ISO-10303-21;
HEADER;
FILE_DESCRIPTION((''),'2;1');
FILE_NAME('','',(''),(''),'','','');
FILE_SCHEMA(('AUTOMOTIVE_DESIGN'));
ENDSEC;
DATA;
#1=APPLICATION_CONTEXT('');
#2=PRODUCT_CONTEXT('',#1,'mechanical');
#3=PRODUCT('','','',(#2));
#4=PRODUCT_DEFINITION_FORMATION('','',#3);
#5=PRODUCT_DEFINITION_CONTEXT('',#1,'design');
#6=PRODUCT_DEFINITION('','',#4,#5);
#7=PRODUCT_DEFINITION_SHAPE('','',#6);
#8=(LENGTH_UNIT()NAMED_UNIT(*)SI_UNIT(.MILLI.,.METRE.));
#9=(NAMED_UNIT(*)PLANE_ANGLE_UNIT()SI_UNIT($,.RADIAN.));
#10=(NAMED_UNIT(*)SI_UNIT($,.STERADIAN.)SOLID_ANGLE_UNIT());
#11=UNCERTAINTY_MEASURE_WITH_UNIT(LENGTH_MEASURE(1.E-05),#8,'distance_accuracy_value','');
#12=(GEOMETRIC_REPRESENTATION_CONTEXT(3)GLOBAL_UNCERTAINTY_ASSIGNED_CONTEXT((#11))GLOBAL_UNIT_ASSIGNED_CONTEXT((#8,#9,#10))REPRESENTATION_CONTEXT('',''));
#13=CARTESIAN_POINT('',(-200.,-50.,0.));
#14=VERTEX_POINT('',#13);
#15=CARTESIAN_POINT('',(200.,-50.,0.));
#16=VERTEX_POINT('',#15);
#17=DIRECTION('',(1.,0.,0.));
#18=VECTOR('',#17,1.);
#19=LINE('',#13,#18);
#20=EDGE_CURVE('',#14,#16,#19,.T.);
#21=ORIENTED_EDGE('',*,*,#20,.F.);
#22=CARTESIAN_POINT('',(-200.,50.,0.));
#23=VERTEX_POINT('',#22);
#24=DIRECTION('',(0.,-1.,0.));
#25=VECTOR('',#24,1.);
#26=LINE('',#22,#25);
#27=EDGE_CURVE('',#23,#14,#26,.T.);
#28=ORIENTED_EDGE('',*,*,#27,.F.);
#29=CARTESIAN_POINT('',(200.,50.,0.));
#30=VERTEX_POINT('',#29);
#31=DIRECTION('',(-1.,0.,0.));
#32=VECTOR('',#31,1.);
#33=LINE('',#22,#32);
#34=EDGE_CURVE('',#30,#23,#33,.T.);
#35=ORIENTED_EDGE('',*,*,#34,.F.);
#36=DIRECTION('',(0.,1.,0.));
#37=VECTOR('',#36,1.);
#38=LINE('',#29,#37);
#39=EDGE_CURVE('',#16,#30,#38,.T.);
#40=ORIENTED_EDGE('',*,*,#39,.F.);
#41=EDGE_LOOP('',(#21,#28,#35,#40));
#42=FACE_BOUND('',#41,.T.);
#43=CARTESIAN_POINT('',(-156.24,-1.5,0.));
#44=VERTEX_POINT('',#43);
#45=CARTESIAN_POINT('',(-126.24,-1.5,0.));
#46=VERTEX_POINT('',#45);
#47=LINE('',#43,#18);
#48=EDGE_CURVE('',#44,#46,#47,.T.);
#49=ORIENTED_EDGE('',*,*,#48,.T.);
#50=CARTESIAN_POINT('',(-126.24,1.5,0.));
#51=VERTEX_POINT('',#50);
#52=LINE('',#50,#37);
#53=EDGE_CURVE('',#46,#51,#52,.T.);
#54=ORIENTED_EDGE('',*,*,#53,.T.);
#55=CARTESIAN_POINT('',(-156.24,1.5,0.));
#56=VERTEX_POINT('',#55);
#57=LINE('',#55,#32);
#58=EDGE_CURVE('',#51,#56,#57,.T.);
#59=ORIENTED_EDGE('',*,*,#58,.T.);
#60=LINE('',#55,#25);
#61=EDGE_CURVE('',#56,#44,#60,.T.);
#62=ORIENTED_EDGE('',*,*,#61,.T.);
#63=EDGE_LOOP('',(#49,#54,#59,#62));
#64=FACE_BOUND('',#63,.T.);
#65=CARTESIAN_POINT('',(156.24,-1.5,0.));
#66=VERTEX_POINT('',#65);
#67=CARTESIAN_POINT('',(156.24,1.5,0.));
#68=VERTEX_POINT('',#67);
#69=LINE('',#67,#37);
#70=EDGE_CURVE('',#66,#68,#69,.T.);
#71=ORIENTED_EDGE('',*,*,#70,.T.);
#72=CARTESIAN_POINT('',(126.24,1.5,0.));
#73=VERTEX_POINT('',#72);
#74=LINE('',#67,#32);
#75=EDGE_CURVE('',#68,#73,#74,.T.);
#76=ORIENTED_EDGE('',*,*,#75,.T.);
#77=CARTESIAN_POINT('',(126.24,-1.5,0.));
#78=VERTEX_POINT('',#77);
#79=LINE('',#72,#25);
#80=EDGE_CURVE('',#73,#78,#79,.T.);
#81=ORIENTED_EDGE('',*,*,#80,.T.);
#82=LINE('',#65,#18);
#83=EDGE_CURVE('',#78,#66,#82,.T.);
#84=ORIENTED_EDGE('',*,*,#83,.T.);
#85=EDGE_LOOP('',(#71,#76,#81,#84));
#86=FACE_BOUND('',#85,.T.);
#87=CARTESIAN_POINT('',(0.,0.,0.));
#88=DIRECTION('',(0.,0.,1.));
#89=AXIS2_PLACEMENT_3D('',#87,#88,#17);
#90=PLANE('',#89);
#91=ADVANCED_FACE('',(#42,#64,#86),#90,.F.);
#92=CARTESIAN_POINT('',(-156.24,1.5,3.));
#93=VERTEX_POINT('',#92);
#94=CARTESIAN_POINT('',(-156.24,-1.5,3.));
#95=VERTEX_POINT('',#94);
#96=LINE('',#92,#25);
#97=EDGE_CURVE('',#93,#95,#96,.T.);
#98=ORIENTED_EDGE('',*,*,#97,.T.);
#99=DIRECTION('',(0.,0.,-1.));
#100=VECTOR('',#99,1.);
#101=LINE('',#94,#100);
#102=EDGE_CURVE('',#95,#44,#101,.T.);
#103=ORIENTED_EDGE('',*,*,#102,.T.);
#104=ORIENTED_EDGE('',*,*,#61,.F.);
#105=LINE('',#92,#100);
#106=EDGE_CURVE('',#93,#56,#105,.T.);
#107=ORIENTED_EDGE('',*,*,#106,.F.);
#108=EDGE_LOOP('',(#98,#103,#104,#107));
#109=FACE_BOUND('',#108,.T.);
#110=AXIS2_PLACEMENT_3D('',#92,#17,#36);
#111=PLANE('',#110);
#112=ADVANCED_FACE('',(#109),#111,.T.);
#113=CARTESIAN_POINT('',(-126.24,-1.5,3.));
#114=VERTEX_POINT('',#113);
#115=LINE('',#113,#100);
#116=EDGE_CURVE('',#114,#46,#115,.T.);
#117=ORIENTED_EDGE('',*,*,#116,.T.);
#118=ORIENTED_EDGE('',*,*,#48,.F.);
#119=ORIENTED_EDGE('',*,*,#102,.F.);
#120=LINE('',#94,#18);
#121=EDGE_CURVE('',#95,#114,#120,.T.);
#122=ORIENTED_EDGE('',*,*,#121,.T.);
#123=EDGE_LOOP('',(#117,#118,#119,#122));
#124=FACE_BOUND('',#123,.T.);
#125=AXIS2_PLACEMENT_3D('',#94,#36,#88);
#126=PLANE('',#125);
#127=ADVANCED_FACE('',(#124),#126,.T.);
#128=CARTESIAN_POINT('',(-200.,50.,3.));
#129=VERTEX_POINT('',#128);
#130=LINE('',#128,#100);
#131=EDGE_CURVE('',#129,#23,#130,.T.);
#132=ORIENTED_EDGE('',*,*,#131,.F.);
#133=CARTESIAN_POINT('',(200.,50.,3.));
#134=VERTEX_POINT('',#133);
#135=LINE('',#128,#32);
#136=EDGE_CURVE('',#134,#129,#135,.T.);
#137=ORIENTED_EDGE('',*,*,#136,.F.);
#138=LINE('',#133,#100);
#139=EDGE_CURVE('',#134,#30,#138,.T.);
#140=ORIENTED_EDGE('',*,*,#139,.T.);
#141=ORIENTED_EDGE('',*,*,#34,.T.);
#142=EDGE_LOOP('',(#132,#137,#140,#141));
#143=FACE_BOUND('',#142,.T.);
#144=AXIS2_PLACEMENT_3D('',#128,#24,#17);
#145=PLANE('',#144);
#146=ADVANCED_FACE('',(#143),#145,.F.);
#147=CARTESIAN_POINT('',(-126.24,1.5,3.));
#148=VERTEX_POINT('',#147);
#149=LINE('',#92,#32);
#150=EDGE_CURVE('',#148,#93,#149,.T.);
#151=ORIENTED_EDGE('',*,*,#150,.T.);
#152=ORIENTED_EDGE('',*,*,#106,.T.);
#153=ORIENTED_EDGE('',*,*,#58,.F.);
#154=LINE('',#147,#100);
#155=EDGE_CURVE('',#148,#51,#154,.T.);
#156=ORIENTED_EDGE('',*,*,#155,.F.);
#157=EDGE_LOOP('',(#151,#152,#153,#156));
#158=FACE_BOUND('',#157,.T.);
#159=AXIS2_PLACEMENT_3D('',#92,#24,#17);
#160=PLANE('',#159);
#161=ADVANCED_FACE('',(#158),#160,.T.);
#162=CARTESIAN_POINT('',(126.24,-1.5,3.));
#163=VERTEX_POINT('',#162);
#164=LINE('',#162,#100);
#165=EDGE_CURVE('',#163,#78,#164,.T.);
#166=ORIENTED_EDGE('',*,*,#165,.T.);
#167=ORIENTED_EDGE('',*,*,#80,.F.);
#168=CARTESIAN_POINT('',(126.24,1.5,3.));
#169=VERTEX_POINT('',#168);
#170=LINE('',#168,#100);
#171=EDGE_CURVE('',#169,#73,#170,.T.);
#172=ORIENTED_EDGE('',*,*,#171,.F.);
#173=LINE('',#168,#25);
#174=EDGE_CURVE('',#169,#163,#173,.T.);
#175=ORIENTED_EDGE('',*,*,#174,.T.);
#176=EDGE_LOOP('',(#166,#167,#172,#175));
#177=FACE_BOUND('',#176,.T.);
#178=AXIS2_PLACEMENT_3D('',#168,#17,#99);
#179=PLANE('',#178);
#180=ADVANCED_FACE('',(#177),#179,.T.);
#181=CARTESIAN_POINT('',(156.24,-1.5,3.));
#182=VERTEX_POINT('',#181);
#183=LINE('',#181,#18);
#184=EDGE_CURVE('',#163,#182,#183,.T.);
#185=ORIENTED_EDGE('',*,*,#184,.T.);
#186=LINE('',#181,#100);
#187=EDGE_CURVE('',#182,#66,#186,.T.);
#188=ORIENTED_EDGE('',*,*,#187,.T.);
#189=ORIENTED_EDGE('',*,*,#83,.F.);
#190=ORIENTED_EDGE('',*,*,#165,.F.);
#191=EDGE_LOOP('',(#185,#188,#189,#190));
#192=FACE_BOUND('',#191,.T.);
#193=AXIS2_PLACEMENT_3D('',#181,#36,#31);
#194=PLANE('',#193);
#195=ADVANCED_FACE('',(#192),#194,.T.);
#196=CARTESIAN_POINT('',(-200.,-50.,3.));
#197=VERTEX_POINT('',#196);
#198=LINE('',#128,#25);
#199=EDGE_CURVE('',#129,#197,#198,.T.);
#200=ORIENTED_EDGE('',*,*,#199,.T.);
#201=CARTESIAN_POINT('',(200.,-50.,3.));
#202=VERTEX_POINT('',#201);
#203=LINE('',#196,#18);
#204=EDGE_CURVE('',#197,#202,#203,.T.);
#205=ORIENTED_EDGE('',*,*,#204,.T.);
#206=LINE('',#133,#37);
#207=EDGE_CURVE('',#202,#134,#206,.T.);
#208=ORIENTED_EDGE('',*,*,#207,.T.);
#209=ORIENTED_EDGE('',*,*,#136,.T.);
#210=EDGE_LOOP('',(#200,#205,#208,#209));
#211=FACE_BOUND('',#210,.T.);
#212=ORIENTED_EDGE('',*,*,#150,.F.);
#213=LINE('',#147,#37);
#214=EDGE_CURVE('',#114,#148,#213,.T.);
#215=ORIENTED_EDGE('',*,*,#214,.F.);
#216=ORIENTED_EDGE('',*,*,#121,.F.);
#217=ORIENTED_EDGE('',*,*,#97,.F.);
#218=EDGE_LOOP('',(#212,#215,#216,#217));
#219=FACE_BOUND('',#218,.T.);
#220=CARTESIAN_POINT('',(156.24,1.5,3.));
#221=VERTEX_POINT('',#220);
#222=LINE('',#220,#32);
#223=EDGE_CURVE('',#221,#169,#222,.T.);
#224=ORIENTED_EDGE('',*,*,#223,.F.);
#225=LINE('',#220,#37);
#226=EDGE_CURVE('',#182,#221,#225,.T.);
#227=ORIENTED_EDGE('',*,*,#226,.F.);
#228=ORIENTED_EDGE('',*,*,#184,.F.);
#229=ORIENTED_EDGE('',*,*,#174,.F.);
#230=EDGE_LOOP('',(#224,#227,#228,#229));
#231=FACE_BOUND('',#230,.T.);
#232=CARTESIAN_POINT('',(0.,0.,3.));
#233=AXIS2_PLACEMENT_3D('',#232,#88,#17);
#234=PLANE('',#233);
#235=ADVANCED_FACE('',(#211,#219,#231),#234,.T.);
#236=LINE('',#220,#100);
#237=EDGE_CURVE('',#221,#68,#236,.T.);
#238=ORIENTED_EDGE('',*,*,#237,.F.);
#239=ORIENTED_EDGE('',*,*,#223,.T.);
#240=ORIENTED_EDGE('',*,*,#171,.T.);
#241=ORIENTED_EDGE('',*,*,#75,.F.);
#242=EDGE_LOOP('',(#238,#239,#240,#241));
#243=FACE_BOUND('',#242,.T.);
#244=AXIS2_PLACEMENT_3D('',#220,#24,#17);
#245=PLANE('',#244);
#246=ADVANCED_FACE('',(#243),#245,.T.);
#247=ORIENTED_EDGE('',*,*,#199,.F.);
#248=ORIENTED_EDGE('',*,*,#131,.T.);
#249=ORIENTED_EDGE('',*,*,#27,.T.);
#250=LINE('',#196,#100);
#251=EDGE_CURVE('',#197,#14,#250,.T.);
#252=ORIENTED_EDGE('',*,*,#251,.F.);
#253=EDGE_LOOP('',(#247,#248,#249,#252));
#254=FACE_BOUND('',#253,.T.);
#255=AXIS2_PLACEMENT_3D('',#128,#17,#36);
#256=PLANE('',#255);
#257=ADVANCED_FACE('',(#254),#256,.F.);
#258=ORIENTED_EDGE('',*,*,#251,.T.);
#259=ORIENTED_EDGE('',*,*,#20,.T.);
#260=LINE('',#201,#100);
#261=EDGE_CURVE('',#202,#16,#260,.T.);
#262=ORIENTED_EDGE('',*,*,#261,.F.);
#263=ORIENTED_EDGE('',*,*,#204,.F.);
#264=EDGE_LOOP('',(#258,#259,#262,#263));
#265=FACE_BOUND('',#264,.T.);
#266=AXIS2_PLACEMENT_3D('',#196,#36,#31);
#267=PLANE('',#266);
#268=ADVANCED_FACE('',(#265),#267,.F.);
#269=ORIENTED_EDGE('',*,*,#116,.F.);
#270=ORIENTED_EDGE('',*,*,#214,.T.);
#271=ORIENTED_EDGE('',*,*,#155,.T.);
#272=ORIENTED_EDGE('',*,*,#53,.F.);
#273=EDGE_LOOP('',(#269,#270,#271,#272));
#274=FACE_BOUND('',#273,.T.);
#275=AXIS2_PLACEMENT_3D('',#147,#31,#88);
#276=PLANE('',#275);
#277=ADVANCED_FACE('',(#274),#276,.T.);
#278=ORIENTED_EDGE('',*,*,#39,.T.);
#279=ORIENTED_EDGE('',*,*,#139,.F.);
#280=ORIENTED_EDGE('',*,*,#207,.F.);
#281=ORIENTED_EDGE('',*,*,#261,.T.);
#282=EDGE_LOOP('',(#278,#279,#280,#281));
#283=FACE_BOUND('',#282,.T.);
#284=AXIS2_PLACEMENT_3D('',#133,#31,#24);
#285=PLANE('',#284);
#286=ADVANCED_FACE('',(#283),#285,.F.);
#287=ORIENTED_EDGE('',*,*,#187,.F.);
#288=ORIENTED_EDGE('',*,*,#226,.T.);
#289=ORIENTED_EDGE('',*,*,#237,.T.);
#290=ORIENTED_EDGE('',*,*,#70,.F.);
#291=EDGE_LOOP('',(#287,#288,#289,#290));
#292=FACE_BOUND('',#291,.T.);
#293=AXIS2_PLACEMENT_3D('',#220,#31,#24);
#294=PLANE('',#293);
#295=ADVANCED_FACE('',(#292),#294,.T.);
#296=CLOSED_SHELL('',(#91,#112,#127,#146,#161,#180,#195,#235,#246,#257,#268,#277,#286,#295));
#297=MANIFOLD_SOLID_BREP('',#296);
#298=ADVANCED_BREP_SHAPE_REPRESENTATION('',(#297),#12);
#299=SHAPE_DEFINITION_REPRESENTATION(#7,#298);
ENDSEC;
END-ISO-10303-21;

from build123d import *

# Parameters (mm, degrees)
CROQUIS1_W              = 400
CROQUIS1_H              = 100
CROQUIS1_W_2            = 30
CROQUIS1_H_2            = 3
SALIENTE_EXTRUIR1_DEPTH = 3


with BuildPart() as part:
    # Croquis1 → Saliente-Extruir1 (new body)
    with BuildSketch(Plane.XY):
        Rectangle(CROQUIS1_W, CROQUIS1_H)
        with Locations((141.24, 0)):
            Rectangle(CROQUIS1_W_2, CROQUIS1_H_2, mode=Mode.SUBTRACT)
        with Locations((-141.24, 0)):
            Rectangle(CROQUIS1_W_2, CROQUIS1_H_2, mode=Mode.SUBTRACT)
    extrude(amount=SALIENTE_EXTRUIR1_DEPTH)


solid = part.part
